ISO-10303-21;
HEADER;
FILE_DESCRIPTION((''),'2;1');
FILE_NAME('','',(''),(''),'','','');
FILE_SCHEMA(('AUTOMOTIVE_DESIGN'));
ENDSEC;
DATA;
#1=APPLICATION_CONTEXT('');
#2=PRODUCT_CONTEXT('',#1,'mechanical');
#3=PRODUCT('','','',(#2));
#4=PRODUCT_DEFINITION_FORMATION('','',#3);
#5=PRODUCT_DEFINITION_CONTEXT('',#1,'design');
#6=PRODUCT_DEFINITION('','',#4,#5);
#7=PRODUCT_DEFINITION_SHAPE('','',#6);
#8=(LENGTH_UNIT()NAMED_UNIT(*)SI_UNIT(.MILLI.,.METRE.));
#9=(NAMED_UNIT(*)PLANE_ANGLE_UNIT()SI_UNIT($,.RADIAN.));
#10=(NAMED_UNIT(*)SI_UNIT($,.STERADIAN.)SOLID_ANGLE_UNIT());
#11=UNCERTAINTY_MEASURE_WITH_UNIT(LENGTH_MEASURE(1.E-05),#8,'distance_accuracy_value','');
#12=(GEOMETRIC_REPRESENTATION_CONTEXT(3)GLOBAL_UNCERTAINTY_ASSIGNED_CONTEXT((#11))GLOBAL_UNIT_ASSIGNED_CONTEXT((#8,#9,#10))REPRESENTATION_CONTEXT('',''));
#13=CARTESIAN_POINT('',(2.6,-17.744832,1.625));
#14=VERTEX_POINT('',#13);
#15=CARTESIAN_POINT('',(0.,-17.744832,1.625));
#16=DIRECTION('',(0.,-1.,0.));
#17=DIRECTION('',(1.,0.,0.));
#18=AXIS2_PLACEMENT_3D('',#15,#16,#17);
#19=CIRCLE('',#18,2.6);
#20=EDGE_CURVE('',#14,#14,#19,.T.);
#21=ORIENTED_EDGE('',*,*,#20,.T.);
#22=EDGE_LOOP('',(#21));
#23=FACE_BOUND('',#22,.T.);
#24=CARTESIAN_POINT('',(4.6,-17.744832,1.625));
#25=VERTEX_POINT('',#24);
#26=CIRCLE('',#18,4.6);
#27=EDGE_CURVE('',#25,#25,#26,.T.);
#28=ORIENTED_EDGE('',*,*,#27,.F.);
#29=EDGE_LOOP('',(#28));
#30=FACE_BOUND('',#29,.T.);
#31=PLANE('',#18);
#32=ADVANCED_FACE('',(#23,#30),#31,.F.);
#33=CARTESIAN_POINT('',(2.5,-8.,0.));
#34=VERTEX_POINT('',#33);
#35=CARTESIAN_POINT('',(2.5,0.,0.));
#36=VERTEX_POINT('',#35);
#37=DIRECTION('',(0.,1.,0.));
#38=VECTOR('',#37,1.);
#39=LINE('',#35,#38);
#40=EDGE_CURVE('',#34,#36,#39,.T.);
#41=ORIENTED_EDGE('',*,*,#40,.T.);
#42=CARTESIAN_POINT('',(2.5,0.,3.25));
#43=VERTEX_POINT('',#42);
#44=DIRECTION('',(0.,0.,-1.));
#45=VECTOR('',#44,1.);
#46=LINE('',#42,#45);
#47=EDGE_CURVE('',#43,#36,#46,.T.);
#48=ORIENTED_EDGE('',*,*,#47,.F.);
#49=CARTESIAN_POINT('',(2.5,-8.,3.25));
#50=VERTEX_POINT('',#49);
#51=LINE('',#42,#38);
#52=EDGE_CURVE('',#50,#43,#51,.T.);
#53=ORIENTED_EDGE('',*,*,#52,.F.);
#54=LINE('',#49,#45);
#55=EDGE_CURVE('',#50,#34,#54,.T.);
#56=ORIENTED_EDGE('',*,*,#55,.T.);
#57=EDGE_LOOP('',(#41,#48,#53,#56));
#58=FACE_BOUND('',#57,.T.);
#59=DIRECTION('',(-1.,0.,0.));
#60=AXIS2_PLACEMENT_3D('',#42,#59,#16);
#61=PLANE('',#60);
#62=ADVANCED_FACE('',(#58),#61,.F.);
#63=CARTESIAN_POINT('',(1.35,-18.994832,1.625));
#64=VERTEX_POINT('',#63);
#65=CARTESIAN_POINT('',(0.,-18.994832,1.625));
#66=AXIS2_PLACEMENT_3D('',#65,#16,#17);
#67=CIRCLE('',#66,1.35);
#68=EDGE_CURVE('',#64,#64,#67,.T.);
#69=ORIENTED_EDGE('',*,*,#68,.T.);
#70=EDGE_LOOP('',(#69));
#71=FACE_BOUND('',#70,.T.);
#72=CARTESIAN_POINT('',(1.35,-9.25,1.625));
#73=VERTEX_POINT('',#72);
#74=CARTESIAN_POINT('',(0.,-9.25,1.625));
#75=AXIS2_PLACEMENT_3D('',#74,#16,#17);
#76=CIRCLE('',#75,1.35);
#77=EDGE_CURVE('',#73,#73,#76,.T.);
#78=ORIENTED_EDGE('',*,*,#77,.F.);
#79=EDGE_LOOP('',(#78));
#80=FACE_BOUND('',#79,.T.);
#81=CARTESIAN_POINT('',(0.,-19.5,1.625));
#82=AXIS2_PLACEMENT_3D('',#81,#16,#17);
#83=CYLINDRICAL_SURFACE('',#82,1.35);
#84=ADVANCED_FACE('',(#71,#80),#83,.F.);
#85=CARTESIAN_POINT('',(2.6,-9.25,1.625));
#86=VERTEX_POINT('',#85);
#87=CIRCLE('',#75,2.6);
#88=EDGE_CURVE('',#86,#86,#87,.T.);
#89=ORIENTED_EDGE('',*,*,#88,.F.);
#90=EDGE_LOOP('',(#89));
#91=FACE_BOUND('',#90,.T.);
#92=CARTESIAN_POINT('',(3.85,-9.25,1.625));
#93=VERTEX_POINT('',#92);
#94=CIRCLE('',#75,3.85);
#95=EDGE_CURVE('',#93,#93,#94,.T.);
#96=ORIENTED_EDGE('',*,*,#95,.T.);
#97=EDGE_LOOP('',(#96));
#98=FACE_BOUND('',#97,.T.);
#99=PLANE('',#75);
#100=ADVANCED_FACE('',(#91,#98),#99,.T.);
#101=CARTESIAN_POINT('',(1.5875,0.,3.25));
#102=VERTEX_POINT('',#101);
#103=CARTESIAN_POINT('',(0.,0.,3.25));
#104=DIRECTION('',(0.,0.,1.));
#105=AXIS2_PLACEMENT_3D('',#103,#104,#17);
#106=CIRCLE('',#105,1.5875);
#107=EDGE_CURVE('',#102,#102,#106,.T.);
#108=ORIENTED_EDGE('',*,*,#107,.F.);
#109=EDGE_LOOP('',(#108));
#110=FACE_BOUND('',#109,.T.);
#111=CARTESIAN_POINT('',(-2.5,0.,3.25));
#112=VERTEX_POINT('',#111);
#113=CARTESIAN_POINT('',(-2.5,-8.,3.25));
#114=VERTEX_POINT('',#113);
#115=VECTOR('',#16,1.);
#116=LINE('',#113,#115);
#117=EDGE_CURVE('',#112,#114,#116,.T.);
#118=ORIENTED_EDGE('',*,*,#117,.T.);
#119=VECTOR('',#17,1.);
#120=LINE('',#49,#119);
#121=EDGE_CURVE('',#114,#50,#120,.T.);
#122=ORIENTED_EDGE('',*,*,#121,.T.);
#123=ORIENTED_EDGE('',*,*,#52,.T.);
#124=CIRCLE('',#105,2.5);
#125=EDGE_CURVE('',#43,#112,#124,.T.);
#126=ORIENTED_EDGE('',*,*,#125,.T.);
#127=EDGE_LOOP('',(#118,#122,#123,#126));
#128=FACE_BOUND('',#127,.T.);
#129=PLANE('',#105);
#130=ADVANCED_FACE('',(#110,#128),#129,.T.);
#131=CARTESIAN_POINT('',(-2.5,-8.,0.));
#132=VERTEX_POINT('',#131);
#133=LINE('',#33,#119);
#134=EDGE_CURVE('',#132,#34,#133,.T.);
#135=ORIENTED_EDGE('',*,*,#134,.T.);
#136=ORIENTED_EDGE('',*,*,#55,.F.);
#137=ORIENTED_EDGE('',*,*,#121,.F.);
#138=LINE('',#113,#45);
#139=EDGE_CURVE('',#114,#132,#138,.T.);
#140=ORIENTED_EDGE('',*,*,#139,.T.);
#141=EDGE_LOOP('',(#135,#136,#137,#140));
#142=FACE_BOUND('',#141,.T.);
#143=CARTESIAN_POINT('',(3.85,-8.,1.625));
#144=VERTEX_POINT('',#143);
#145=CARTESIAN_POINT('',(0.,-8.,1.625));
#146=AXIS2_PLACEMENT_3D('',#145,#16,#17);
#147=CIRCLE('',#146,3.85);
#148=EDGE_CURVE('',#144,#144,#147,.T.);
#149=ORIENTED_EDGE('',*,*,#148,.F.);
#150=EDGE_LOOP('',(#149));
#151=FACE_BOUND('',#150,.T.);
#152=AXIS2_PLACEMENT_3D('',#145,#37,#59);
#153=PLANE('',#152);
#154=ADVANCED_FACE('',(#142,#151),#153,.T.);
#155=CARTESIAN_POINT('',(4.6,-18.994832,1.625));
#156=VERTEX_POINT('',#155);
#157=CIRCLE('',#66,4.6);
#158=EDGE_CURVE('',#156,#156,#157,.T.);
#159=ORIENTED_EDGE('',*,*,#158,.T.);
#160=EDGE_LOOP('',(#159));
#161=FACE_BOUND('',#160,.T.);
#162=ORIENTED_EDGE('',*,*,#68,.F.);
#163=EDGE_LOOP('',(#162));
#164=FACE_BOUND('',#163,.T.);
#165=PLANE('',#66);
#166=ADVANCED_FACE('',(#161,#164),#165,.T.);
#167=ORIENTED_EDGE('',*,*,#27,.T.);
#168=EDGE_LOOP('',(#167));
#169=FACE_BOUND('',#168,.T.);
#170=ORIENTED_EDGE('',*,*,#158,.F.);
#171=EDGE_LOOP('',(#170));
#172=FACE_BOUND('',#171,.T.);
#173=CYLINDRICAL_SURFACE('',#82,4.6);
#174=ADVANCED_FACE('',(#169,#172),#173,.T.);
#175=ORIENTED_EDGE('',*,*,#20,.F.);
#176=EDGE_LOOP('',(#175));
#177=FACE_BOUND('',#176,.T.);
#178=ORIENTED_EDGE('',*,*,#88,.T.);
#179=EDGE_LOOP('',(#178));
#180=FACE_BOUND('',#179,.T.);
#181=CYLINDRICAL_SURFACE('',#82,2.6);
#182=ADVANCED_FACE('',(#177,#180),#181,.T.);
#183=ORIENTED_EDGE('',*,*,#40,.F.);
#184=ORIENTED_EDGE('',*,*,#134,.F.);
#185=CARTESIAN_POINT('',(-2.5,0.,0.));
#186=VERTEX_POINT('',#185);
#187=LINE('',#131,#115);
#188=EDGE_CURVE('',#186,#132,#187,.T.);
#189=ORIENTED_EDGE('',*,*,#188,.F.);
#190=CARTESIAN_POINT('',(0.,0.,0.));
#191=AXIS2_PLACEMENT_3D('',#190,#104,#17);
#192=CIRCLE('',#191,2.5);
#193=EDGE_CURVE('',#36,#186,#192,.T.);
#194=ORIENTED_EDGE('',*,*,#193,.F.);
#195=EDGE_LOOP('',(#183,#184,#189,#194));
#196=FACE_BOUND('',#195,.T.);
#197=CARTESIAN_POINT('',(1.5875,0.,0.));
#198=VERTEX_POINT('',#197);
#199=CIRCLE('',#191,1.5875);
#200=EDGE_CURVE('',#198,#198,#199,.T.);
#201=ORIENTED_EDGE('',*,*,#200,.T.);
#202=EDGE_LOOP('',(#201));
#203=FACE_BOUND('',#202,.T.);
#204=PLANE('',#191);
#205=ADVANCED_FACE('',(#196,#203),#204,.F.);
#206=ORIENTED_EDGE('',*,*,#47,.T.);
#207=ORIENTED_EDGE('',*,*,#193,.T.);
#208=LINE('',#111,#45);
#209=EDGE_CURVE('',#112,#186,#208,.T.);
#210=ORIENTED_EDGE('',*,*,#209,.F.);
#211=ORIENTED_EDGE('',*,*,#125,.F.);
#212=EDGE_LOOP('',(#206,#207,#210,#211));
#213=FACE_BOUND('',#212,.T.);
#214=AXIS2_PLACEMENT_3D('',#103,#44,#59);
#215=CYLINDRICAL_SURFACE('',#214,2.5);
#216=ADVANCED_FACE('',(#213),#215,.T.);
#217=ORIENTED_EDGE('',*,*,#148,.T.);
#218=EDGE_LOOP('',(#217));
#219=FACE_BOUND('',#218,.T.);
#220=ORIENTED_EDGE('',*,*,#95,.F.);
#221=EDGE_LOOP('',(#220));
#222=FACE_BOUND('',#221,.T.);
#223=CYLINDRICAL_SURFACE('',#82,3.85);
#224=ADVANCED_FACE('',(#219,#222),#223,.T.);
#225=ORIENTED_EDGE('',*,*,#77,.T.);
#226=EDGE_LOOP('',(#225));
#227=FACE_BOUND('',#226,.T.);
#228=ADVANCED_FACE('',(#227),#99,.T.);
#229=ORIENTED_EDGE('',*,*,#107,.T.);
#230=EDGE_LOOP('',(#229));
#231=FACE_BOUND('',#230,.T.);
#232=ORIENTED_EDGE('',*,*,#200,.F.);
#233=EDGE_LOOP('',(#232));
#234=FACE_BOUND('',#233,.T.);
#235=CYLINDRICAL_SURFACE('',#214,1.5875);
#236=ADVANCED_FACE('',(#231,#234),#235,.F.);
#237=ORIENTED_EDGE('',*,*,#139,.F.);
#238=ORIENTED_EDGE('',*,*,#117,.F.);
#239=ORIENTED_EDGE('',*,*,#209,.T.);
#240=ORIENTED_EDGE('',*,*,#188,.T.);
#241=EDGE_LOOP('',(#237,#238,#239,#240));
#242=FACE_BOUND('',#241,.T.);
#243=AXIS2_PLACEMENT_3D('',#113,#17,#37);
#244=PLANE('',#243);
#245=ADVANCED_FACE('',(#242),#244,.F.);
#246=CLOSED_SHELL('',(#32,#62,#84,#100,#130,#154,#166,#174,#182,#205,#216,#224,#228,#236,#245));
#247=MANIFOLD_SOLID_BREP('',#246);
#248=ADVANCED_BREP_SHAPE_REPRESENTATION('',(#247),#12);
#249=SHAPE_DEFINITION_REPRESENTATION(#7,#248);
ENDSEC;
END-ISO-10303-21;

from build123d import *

# Parameters (mm, degrees)
SKETCH1_R           = 1.5875
BOSS_EXTRUDE1_DEPTH = 3.25


with BuildPart() as part:
    # Sketch1 → Boss-Extrude1 (new body)
    with BuildSketch(Plane.XY):
        with BuildLine():
            Line((2.5, 0), (2.5, -8))
            Line((2.5, -8), (-2.5, -8))
            Line((-2.5, -8), (-2.5, 0))
            ThreePointArc((-2.5, 0), (0, 2.5), (2.5, 0))
        make_face()
        Circle(SKETCH1_R, mode=Mode.SUBTRACT)
    extrude(amount=BOSS_EXTRUDE1_DEPTH)

    # Sketch4 one side → Revolve1 (revolve)
    with BuildSketch(Plane.XY.offset(1.625)):
        Polygon((2.6, -8), (0, -8), (0, -9.25), (1.35, -9.25), (1.35, -18.994831853), (4.6, -18.994831853), (4.6, -17.744831853), (2.6, -17.744831853), (2.6, -9.25), (3.85, -9.25), (3.85, -8), align=None)
    revolve(axis=Axis((0, -19.5, 1.625), (0, 1, 0)))


solid = part.part
